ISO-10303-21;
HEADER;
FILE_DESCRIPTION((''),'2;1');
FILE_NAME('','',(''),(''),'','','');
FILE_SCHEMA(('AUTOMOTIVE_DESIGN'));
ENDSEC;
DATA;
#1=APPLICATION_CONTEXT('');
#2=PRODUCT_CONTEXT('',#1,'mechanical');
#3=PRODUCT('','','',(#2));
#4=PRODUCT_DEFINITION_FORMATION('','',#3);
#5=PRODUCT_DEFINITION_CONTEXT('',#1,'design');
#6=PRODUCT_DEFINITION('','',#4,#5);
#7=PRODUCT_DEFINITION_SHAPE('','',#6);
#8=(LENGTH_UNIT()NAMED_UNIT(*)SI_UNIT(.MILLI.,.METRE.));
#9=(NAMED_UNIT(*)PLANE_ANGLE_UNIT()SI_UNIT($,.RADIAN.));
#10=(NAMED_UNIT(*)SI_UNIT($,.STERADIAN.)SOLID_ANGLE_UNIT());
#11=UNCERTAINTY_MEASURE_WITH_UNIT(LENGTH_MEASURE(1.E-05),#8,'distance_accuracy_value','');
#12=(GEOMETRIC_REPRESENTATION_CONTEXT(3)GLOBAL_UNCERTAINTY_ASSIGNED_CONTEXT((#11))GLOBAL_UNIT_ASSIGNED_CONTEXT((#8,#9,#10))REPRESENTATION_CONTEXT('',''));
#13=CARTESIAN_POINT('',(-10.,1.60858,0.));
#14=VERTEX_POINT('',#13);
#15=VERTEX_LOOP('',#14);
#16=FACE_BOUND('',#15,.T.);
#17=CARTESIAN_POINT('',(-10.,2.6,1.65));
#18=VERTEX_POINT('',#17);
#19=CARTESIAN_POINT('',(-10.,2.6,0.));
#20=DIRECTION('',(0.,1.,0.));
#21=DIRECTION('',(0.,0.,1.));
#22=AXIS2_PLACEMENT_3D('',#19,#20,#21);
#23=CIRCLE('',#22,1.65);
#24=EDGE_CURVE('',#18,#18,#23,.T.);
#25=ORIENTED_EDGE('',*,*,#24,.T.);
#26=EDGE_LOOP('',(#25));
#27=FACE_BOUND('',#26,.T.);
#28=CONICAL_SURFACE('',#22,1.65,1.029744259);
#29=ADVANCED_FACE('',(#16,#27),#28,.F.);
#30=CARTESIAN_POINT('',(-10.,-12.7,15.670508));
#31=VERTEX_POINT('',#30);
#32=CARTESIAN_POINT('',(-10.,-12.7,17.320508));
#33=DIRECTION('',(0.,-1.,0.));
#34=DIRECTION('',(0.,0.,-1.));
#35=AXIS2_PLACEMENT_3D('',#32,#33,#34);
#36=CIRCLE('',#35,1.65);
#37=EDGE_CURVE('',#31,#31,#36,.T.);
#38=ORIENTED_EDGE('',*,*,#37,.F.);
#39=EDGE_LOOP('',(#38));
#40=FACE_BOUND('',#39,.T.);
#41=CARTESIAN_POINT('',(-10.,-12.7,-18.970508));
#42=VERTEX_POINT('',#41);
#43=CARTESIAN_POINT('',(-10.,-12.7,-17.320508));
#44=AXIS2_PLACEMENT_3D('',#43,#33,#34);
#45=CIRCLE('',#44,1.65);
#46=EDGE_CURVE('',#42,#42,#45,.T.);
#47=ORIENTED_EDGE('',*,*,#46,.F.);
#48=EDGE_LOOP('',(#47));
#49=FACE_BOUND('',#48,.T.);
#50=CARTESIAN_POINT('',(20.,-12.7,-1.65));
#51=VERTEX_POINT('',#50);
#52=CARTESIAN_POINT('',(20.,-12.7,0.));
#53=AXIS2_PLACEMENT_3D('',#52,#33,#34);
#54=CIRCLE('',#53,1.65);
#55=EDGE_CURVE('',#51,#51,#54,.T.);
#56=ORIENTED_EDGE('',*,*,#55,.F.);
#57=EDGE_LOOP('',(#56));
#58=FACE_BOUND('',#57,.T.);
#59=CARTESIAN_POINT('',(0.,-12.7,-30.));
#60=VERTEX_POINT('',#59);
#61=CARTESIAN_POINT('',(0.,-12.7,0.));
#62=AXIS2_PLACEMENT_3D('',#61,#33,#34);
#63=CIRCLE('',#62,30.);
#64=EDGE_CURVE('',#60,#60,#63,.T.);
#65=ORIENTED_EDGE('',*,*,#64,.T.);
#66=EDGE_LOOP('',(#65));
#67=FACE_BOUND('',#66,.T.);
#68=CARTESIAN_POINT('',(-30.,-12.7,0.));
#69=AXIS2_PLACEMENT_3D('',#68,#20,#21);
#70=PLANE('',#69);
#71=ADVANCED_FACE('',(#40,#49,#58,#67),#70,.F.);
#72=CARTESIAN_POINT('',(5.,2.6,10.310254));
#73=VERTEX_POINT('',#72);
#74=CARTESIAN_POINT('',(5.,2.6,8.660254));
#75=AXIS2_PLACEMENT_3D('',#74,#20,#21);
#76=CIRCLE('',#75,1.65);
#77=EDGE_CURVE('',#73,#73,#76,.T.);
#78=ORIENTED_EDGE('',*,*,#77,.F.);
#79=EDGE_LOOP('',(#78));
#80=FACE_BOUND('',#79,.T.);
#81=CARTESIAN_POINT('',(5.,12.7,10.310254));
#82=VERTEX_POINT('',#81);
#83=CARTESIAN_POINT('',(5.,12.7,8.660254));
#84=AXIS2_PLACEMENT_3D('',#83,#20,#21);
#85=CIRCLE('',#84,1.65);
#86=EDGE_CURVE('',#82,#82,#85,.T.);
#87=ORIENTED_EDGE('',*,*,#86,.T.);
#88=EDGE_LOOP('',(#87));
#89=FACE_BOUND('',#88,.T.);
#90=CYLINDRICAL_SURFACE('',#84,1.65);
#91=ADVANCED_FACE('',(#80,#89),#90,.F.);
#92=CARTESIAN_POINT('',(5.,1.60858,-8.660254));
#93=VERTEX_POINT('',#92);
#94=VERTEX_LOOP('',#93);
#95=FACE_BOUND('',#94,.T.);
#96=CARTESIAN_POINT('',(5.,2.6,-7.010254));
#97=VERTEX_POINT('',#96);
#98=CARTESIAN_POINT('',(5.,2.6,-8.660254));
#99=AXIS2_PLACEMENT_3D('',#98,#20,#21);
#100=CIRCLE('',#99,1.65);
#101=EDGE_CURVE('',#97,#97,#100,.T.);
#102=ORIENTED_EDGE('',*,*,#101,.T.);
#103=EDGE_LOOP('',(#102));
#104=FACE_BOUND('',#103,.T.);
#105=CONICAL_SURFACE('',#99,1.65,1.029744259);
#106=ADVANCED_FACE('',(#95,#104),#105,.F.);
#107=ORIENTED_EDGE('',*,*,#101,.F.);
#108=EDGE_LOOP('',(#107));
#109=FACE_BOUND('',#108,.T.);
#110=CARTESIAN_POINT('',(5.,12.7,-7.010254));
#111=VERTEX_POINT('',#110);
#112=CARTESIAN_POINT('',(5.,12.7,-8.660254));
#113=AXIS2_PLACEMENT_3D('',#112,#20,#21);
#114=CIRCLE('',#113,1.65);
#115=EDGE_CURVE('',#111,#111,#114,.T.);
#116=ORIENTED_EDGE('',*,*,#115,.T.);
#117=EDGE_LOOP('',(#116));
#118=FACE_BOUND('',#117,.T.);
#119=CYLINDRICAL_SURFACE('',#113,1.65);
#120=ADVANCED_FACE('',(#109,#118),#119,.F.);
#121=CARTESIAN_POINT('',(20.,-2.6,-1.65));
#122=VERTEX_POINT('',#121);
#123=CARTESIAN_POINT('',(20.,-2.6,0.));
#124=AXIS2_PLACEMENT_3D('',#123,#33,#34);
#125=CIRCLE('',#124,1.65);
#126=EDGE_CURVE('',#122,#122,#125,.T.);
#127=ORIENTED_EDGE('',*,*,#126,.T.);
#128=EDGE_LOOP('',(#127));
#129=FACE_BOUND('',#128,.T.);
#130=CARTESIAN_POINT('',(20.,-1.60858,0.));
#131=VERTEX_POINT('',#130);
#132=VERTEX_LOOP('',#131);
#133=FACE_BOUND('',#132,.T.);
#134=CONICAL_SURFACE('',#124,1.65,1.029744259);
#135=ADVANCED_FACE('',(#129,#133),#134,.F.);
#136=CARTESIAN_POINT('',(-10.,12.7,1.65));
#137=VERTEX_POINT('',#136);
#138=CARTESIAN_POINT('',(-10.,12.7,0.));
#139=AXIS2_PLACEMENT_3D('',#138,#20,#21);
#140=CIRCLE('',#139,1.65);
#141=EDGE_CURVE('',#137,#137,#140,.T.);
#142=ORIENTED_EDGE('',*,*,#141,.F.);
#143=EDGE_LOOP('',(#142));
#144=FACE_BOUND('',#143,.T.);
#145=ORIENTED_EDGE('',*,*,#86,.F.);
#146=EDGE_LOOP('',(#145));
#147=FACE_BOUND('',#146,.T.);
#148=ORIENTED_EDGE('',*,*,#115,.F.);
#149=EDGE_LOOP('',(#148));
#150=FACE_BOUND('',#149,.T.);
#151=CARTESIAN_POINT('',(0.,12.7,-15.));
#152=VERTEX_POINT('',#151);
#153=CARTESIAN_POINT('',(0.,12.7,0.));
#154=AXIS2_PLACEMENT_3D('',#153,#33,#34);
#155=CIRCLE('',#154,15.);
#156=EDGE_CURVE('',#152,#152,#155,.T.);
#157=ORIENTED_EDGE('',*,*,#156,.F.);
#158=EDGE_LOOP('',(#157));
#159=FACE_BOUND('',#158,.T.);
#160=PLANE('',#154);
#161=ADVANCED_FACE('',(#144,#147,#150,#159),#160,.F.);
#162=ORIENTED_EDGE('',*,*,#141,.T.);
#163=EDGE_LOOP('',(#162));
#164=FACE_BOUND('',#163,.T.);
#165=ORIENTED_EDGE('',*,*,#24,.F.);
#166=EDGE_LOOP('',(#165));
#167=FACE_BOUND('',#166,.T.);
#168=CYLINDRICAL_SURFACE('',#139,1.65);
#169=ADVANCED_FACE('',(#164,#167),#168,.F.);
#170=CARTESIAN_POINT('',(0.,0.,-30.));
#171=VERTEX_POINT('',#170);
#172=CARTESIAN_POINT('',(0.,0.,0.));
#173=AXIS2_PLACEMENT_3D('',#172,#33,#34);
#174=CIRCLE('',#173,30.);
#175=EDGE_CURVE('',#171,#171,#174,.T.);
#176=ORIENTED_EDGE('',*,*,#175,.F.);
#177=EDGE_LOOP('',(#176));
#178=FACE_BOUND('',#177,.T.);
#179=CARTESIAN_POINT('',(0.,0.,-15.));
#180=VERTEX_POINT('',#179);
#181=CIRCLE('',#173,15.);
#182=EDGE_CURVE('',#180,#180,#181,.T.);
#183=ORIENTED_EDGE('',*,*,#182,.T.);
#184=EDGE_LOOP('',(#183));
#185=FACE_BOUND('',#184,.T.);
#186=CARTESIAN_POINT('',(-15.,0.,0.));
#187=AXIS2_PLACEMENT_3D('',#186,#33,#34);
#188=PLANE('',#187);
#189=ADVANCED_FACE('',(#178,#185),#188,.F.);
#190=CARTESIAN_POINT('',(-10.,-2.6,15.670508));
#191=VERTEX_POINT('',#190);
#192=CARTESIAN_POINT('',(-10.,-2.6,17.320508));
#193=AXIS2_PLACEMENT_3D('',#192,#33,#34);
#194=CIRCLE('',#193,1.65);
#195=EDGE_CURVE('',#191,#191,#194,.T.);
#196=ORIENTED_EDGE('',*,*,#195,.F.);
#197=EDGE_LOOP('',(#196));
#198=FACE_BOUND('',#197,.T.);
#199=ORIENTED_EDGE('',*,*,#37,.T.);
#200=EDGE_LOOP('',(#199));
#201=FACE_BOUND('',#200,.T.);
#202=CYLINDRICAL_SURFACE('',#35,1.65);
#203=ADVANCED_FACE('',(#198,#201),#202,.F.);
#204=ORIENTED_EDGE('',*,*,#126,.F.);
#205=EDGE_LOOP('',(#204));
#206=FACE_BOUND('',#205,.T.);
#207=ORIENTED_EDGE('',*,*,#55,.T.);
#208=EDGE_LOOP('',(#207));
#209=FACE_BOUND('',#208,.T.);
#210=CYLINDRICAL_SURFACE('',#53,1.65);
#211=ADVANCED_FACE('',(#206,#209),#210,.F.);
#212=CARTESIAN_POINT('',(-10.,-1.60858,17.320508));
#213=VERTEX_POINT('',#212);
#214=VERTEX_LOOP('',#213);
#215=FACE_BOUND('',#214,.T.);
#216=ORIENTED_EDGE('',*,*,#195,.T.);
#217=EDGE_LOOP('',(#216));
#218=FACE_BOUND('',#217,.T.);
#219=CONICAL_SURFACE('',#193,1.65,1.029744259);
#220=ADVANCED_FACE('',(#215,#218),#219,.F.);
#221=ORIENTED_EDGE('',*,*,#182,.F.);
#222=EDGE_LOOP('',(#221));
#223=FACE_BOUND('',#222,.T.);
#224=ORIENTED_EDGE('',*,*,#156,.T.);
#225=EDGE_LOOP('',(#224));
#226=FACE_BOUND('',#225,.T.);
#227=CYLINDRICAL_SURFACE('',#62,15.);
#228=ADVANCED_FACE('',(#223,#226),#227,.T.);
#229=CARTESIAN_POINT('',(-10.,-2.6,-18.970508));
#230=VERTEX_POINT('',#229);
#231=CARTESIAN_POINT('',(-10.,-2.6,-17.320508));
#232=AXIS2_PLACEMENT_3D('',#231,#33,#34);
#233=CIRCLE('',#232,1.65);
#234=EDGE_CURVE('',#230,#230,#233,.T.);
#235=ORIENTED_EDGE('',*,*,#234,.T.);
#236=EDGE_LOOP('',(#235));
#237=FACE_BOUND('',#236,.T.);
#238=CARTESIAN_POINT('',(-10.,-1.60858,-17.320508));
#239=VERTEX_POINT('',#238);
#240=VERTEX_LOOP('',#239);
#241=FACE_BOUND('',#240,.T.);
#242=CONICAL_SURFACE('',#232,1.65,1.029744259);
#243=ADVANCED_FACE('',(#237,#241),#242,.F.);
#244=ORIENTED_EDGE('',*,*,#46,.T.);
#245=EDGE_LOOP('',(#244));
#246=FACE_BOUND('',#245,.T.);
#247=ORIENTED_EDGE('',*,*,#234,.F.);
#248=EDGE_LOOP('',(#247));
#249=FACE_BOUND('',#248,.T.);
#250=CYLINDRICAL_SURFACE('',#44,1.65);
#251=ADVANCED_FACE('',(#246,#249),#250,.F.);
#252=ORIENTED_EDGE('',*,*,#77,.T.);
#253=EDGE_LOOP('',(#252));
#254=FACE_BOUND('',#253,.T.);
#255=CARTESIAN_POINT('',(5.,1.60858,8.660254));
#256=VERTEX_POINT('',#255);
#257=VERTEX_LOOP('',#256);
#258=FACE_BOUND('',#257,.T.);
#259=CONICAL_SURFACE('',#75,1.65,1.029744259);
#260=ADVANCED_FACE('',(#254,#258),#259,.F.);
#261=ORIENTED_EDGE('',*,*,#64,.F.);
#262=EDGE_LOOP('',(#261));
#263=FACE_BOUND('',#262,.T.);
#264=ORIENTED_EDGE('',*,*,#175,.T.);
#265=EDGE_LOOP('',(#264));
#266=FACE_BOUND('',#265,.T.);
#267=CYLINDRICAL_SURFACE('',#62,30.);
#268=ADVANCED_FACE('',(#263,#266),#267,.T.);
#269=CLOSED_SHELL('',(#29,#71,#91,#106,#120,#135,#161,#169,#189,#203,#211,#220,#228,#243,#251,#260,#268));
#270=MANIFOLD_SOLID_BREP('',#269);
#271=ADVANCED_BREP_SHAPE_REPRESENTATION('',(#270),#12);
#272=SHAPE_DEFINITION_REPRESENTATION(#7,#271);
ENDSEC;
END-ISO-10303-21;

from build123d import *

# Parameters (mm, degrees)
M4X0_7_TAPPED_HOLE1_D     = 3.3
M4X0_7_TAPPED_HOLE1_DEPTH = 10.1
M4X0_7_TAPPED_HOLE1_TIP   = 0.991420021
M4X0_7_TAPPED_HOLE2_D     = 3.3
M4X0_7_TAPPED_HOLE2_DEPTH = 10.1
M4X0_7_TAPPED_HOLE2_TIP   = 0.991420021


with BuildPart() as part:
    # Sketch1 → Revolve1 (revolve)
    with BuildSketch(Plane.XY, mode=Mode.PRIVATE) as revolve1_sk:
        Polygon((0, 12.7), (-15, 12.7), (-15, 0), (-30, 0), (-30, -12.7), (0, -12.7), align=None)
    revolve(revolve1_sk.sketch.rotate(Axis((0, -12.7, 0), (0, 1, 0)), 270), axis=Axis((0, -12.7, 0), (0, 1, 0)))

    # M4x0.7 Tapped Hole1
    with Locations(Plane(origin=(0, 12.7, 0), x_dir=(1, 0, 0), z_dir=(0, 1, 0))):
        with Locations((-10, 0), (5, 8.660254038), (5, -8.660254038)):
            Hole(M4X0_7_TAPPED_HOLE1_D / 2, depth=M4X0_7_TAPPED_HOLE1_DEPTH)
            with Locations((0, 0, -(M4X0_7_TAPPED_HOLE1_DEPTH + M4X0_7_TAPPED_HOLE1_TIP / 2))):  # 118° drill point
                Cone(0, M4X0_7_TAPPED_HOLE1_D / 2, M4X0_7_TAPPED_HOLE1_TIP, mode=Mode.SUBTRACT)

    # M4x0.7 Tapped Hole2
    with Locations(Plane(origin=(0, -12.7, 0), x_dir=(-1, 0, 0), z_dir=(0, -1, 0))):
        with Locations((-20, 0), (10, -17.320508076), (10, 17.320508076)):
            Hole(M4X0_7_TAPPED_HOLE2_D / 2, depth=M4X0_7_TAPPED_HOLE2_DEPTH)
            with Locations((0, 0, -(M4X0_7_TAPPED_HOLE2_DEPTH + M4X0_7_TAPPED_HOLE2_TIP / 2))):  # 118° drill point
                Cone(0, M4X0_7_TAPPED_HOLE2_D / 2, M4X0_7_TAPPED_HOLE2_TIP, mode=Mode.SUBTRACT)


solid = part.part
